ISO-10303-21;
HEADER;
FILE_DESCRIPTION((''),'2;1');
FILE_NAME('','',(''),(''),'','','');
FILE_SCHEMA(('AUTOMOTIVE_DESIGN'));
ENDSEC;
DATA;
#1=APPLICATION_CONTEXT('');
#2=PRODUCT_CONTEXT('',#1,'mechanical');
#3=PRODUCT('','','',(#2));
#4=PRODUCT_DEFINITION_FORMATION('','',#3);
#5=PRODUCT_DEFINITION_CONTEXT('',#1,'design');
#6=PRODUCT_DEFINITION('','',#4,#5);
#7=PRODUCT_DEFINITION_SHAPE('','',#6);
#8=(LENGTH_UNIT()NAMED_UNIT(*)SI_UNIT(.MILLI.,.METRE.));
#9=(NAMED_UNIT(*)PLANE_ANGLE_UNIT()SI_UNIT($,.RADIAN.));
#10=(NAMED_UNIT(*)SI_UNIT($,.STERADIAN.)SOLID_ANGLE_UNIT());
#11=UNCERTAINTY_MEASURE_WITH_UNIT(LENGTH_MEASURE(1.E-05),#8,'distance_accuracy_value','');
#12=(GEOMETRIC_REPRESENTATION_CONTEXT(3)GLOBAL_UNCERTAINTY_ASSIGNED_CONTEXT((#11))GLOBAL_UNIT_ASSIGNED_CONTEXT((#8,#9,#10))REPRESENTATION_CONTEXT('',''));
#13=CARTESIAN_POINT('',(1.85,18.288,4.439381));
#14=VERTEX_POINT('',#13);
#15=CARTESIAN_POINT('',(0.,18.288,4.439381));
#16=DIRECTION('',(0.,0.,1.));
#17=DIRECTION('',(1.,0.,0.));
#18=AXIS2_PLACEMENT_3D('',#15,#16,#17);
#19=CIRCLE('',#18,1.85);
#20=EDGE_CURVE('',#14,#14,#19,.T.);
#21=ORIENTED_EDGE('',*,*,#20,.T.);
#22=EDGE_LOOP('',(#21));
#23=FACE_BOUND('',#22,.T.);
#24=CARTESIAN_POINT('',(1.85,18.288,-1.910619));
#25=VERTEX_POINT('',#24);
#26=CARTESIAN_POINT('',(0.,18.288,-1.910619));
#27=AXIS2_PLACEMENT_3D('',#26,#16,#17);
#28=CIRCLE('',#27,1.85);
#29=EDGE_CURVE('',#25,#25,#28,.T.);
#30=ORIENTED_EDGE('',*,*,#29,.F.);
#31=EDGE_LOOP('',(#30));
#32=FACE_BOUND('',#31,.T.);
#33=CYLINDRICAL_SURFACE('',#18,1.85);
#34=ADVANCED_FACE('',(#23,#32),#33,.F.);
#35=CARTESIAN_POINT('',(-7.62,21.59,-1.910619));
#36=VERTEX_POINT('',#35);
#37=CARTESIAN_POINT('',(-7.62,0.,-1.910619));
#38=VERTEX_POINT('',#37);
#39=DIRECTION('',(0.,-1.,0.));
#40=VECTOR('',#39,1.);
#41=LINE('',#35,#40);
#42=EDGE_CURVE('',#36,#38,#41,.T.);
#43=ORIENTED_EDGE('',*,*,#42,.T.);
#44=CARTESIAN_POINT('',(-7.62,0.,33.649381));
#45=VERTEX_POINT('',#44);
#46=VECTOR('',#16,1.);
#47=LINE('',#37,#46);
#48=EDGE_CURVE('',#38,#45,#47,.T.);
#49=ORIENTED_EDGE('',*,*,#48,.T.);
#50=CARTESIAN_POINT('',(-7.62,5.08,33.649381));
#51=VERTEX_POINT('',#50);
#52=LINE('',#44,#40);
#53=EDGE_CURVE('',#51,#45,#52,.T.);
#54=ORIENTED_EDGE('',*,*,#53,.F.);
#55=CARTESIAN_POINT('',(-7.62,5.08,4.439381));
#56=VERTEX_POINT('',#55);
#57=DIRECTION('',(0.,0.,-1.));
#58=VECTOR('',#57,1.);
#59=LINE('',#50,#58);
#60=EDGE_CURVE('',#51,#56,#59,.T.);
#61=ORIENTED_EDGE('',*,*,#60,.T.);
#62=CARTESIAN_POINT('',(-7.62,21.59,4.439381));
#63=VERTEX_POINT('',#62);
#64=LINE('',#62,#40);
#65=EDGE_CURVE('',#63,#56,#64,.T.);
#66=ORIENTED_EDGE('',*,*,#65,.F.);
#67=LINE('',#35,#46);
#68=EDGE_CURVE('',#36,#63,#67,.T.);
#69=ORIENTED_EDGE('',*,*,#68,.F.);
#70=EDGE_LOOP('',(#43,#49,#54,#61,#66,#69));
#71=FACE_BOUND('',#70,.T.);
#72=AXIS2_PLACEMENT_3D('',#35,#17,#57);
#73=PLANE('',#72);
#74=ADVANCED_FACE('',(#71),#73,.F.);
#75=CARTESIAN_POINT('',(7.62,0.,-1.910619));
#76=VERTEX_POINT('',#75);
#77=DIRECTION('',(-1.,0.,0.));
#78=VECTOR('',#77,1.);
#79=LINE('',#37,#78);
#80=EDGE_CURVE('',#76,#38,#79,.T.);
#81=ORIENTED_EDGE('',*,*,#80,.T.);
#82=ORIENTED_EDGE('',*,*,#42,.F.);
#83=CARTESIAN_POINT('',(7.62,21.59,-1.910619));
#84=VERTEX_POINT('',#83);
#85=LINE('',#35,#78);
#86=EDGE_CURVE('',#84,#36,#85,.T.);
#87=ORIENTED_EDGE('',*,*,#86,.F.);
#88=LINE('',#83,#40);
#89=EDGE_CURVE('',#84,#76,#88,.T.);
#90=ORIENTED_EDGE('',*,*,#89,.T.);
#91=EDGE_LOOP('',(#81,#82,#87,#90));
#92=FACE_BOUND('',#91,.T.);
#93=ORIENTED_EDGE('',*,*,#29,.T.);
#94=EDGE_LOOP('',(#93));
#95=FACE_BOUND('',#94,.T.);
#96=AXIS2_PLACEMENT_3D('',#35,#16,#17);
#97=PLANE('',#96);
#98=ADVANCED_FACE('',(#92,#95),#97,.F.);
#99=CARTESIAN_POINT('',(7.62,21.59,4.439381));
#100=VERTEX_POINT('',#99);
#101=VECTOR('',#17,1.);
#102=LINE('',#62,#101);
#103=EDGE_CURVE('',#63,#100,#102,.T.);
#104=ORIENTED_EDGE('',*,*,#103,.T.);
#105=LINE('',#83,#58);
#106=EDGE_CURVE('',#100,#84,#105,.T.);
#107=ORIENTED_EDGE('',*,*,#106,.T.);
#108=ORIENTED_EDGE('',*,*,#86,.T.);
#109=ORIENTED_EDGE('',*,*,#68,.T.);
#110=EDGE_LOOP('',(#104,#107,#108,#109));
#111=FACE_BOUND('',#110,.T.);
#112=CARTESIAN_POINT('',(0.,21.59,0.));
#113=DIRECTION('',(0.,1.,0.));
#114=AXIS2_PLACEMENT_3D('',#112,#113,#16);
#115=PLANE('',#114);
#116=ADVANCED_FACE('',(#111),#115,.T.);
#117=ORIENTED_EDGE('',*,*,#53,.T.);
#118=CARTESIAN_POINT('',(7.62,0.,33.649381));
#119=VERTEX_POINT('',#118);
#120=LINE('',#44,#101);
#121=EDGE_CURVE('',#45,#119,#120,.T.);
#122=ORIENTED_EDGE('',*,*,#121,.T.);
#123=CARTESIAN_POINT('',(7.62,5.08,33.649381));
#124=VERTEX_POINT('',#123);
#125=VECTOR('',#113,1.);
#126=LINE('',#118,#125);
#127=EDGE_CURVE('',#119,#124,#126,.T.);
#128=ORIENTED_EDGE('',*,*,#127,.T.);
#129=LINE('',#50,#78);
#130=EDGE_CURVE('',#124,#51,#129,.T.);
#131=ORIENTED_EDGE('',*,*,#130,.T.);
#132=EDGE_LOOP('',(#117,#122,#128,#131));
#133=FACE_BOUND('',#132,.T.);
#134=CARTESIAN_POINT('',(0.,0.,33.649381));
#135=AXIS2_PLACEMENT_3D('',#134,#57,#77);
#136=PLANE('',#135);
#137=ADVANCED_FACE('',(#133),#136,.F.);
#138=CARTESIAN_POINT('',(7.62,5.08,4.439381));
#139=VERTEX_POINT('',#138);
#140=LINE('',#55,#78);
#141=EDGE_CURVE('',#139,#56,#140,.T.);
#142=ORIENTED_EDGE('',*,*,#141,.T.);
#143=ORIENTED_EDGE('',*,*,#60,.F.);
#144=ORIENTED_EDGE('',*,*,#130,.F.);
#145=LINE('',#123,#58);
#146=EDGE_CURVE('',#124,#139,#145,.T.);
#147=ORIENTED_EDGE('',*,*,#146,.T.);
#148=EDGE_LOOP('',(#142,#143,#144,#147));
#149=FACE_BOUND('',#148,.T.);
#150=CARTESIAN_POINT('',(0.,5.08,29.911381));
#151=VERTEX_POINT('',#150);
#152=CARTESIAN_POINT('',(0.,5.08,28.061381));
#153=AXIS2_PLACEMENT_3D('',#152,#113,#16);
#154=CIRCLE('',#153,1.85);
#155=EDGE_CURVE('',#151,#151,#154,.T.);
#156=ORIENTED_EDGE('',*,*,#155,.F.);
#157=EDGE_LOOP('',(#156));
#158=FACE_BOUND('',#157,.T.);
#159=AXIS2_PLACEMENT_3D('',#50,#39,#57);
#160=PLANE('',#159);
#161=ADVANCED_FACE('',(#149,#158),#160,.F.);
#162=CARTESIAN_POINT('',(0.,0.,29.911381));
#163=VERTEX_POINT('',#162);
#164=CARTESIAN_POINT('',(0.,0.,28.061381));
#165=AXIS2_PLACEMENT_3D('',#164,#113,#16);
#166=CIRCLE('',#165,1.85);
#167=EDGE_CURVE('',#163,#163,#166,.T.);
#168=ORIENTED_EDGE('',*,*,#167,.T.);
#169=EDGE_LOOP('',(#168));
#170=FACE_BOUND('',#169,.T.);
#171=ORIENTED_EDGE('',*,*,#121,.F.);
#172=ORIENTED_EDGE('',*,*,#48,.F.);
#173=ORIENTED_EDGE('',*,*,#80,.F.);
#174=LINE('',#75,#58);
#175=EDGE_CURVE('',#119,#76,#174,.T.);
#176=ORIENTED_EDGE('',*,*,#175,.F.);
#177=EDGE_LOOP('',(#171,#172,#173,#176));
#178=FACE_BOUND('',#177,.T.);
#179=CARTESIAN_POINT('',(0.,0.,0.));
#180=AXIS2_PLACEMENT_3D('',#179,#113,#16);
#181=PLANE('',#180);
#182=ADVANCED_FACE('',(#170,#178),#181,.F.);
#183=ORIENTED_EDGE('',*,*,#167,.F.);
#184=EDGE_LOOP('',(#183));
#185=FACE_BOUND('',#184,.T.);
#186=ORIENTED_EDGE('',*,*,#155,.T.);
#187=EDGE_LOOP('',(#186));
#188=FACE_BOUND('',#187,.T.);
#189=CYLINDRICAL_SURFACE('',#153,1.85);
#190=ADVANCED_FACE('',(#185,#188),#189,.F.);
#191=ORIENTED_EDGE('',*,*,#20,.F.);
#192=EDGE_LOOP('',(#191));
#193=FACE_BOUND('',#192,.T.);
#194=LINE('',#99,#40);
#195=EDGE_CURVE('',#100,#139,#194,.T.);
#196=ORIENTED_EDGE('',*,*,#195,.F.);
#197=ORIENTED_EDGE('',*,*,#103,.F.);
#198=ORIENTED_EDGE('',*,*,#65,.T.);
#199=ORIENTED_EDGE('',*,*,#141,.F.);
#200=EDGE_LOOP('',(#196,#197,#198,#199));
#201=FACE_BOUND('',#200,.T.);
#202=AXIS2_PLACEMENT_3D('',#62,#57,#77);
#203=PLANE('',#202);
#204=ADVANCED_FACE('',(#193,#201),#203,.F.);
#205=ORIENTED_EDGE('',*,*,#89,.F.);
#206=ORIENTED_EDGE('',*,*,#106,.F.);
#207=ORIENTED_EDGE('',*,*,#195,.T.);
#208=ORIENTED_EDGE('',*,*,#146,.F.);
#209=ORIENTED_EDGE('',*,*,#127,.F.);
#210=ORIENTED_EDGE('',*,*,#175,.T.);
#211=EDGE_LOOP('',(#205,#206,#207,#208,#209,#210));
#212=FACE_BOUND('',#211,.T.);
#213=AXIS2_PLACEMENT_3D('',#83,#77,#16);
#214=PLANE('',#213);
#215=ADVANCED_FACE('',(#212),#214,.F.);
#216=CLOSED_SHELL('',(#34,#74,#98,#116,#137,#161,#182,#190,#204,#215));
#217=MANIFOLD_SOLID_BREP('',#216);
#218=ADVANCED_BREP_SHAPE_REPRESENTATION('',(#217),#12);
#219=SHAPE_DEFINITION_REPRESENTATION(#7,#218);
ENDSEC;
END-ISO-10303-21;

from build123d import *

# Parameters (mm, degrees)
SKETCH1_W                = 15.24
SKETCH1_H                = 6.35
BOSS_EXTRUDE1_DEPTH      = 21.59
SKETCH2_W                = 15.24
SKETCH2_H                = 5.08
BOSS_EXTRUDE2_DEPTH      = 29.21
M3_CLEARANCE_HOLE1_D     = 3.7
M3_CLEARANCE_HOLE1_DEPTH = 25.4
M3_CLEARANCE_HOLE1_TIP   = 1.111592145
M3_CLEARANCE_HOLE2_D     = 3.7
M3_CLEARANCE_HOLE2_DEPTH = 25.4
M3_CLEARANCE_HOLE2_TIP   = 1.111592145


with BuildPart() as part:
    # Sketch1 → Boss-Extrude1 (new body)
    with BuildSketch(Plane(origin=(0, 0, 0), x_dir=(1, 0, 0), z_dir=(0, 1, 0))):
        with Locations((0, -1.264380531)):
            Rectangle(SKETCH1_W, SKETCH1_H)
    extrude(amount=BOSS_EXTRUDE1_DEPTH)

    # Sketch2 → Boss-Extrude2 (add)
    with BuildSketch(Plane.XY.offset(4.439380531)):
        with Locations((0, 2.54)):
            Rectangle(SKETCH2_W, SKETCH2_H)
    extrude(amount=BOSS_EXTRUDE2_DEPTH)

    # M3 Clearance Hole1
    with Locations(Plane(origin=(0, 5.08, 0), x_dir=(1, 0, 0), z_dir=(0, 1, 0))):
        with Locations((0, -28.061380531)):
            Hole(M3_CLEARANCE_HOLE1_D / 2, depth=M3_CLEARANCE_HOLE1_DEPTH)
            with Locations((0, 0, -(M3_CLEARANCE_HOLE1_DEPTH + M3_CLEARANCE_HOLE1_TIP / 2))):  # 118° drill point
                Cone(0, M3_CLEARANCE_HOLE1_D / 2, M3_CLEARANCE_HOLE1_TIP, mode=Mode.SUBTRACT)

    # M3 Clearance Hole2
    with Locations(Plane.XY.offset(4.439380531)):
        with Locations((0, 18.288)):
            Hole(M3_CLEARANCE_HOLE2_D / 2, depth=M3_CLEARANCE_HOLE2_DEPTH)
            with Locations((0, 0, -(M3_CLEARANCE_HOLE2_DEPTH + M3_CLEARANCE_HOLE2_TIP / 2))):  # 118° drill point
                Cone(0, M3_CLEARANCE_HOLE2_D / 2, M3_CLEARANCE_HOLE2_TIP, mode=Mode.SUBTRACT)


solid = part.part
